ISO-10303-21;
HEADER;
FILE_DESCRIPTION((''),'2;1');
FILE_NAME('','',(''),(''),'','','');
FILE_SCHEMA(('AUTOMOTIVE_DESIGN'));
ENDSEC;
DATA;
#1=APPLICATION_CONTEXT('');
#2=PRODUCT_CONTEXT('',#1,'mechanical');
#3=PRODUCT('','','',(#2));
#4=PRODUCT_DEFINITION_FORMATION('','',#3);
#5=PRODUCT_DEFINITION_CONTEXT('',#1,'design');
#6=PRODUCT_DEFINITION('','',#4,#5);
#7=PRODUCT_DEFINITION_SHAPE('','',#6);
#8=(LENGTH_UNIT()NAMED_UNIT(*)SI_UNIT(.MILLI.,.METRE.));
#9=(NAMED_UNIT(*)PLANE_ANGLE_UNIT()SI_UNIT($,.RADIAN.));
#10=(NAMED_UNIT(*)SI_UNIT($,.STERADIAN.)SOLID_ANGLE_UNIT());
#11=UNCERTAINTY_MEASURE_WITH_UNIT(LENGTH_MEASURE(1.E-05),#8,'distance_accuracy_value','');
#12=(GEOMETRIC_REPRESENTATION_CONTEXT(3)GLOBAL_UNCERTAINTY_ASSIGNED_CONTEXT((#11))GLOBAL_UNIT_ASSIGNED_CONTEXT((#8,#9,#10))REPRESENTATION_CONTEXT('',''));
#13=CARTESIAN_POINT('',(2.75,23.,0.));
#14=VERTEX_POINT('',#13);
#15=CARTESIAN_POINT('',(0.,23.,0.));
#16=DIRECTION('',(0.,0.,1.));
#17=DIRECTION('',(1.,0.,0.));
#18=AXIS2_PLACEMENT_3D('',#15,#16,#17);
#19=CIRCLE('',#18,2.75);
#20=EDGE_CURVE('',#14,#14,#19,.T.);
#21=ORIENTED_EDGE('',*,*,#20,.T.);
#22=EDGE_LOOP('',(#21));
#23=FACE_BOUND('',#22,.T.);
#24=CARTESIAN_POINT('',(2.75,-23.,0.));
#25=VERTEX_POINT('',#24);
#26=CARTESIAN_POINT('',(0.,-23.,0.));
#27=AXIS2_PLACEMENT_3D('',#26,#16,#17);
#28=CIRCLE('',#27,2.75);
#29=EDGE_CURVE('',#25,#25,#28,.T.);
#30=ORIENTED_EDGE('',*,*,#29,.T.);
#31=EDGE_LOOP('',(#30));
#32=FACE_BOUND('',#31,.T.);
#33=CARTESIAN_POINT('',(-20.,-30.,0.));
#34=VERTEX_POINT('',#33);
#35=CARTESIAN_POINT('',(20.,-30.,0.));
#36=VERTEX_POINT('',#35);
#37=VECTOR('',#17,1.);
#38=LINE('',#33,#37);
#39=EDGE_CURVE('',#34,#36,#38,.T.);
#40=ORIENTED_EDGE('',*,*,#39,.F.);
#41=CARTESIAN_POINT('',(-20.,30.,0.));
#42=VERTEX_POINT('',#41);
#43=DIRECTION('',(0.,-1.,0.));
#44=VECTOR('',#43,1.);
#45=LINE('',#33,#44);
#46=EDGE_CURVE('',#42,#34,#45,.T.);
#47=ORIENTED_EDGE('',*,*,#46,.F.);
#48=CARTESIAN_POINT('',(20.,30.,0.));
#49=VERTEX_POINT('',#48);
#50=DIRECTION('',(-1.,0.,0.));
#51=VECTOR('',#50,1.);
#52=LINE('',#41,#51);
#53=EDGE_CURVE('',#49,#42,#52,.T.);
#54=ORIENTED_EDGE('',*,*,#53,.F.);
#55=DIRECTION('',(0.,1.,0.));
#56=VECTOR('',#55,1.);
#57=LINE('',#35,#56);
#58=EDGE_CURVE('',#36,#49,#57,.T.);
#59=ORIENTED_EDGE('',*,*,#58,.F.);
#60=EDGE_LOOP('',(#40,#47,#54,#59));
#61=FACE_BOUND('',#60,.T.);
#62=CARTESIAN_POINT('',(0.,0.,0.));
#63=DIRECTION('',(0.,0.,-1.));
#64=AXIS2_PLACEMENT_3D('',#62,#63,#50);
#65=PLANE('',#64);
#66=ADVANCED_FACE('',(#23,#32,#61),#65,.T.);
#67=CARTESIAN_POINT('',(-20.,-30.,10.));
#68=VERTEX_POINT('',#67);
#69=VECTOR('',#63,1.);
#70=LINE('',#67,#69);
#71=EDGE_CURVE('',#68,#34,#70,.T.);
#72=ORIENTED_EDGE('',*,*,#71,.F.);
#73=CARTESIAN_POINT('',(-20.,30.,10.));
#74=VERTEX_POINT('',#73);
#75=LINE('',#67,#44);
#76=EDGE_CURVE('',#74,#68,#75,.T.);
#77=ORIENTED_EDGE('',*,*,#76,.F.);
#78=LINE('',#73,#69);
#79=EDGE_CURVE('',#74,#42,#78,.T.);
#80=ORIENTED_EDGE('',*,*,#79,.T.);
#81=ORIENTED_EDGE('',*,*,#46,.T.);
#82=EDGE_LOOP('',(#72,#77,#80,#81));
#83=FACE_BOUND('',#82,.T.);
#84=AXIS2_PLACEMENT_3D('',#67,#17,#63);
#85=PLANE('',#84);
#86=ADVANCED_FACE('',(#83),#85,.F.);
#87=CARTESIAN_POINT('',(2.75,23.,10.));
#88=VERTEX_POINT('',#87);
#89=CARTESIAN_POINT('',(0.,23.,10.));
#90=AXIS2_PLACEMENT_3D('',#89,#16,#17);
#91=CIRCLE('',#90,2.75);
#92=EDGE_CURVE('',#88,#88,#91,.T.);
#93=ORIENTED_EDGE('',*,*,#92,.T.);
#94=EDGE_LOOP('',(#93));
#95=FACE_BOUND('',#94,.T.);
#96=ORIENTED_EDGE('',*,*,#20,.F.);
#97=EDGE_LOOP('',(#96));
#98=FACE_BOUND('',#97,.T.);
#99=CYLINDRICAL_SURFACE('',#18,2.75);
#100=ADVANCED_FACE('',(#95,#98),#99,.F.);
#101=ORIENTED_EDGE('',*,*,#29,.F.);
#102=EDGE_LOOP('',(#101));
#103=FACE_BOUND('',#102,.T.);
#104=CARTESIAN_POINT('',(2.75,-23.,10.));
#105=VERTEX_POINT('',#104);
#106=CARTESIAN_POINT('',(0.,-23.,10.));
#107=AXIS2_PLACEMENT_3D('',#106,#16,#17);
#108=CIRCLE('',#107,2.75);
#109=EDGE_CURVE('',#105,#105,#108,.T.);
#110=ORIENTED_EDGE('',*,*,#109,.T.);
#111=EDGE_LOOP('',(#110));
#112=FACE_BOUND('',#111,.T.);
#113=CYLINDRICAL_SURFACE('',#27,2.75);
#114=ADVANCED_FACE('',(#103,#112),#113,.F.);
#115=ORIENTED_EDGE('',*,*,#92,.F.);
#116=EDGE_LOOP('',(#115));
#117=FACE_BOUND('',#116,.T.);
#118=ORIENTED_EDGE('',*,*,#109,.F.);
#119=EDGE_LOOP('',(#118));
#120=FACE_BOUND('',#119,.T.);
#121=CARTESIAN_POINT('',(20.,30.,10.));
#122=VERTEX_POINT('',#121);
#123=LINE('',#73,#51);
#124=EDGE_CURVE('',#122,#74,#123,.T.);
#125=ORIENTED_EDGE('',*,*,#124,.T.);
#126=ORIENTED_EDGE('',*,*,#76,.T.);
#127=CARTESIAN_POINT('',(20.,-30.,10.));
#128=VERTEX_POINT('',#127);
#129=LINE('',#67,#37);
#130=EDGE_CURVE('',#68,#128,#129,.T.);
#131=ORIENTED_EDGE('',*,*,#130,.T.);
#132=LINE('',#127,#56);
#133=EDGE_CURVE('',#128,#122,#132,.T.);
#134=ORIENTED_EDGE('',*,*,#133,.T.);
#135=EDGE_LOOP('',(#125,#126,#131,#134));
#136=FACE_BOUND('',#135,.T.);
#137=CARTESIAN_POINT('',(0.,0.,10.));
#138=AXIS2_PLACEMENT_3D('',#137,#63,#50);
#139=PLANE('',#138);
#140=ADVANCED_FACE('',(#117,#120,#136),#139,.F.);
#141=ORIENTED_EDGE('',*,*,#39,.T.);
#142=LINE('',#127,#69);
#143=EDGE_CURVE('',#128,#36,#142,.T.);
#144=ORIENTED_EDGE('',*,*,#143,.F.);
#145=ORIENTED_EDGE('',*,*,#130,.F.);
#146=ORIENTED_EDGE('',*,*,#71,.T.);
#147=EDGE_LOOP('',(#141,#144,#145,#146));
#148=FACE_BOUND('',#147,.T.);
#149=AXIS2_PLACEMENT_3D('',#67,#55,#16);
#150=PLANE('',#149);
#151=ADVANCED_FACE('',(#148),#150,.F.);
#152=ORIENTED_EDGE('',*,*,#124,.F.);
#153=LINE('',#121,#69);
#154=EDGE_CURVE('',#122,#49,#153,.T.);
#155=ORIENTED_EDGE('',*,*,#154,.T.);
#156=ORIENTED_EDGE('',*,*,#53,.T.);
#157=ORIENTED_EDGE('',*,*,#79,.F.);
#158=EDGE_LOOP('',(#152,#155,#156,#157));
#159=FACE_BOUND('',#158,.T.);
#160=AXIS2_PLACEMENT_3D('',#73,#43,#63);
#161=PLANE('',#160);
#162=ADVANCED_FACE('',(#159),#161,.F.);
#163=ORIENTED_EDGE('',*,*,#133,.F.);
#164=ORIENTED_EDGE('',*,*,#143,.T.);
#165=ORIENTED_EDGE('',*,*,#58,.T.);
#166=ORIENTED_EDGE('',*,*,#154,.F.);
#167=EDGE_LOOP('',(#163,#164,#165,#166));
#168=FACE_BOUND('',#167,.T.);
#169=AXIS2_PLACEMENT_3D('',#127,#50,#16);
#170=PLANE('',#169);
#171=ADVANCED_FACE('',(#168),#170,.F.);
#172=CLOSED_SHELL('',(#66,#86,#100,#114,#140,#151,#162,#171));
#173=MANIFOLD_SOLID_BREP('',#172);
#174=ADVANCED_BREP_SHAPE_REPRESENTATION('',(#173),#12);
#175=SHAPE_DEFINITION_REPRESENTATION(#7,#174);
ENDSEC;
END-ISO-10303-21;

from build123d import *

# Parameters (mm, degrees)
SKETCH_1_W          = 40
SKETCH_1_H          = 60
EXTRUDE_1_DEPTH     = 10
SKETCH_2_R          = 2.75
CUT_EXTRUDE_1_DEPTH = 10


with BuildPart() as part:
    # 草图1 → 凸台-拉伸1 (new body)
    with BuildSketch(Plane.XY):
        Rectangle(SKETCH_1_W, SKETCH_1_H)
    extrude(amount=EXTRUDE_1_DEPTH)

    # 草图2 → 切除-拉伸1 (cut)
    with BuildSketch(Plane.XY.offset(10)):
        with Locations((0, -23)):
            Circle(SKETCH_2_R)
        with Locations((0, 23)):
            Circle(SKETCH_2_R)
    extrude(amount=-CUT_EXTRUDE_1_DEPTH, mode=Mode.SUBTRACT)


solid = part.part
